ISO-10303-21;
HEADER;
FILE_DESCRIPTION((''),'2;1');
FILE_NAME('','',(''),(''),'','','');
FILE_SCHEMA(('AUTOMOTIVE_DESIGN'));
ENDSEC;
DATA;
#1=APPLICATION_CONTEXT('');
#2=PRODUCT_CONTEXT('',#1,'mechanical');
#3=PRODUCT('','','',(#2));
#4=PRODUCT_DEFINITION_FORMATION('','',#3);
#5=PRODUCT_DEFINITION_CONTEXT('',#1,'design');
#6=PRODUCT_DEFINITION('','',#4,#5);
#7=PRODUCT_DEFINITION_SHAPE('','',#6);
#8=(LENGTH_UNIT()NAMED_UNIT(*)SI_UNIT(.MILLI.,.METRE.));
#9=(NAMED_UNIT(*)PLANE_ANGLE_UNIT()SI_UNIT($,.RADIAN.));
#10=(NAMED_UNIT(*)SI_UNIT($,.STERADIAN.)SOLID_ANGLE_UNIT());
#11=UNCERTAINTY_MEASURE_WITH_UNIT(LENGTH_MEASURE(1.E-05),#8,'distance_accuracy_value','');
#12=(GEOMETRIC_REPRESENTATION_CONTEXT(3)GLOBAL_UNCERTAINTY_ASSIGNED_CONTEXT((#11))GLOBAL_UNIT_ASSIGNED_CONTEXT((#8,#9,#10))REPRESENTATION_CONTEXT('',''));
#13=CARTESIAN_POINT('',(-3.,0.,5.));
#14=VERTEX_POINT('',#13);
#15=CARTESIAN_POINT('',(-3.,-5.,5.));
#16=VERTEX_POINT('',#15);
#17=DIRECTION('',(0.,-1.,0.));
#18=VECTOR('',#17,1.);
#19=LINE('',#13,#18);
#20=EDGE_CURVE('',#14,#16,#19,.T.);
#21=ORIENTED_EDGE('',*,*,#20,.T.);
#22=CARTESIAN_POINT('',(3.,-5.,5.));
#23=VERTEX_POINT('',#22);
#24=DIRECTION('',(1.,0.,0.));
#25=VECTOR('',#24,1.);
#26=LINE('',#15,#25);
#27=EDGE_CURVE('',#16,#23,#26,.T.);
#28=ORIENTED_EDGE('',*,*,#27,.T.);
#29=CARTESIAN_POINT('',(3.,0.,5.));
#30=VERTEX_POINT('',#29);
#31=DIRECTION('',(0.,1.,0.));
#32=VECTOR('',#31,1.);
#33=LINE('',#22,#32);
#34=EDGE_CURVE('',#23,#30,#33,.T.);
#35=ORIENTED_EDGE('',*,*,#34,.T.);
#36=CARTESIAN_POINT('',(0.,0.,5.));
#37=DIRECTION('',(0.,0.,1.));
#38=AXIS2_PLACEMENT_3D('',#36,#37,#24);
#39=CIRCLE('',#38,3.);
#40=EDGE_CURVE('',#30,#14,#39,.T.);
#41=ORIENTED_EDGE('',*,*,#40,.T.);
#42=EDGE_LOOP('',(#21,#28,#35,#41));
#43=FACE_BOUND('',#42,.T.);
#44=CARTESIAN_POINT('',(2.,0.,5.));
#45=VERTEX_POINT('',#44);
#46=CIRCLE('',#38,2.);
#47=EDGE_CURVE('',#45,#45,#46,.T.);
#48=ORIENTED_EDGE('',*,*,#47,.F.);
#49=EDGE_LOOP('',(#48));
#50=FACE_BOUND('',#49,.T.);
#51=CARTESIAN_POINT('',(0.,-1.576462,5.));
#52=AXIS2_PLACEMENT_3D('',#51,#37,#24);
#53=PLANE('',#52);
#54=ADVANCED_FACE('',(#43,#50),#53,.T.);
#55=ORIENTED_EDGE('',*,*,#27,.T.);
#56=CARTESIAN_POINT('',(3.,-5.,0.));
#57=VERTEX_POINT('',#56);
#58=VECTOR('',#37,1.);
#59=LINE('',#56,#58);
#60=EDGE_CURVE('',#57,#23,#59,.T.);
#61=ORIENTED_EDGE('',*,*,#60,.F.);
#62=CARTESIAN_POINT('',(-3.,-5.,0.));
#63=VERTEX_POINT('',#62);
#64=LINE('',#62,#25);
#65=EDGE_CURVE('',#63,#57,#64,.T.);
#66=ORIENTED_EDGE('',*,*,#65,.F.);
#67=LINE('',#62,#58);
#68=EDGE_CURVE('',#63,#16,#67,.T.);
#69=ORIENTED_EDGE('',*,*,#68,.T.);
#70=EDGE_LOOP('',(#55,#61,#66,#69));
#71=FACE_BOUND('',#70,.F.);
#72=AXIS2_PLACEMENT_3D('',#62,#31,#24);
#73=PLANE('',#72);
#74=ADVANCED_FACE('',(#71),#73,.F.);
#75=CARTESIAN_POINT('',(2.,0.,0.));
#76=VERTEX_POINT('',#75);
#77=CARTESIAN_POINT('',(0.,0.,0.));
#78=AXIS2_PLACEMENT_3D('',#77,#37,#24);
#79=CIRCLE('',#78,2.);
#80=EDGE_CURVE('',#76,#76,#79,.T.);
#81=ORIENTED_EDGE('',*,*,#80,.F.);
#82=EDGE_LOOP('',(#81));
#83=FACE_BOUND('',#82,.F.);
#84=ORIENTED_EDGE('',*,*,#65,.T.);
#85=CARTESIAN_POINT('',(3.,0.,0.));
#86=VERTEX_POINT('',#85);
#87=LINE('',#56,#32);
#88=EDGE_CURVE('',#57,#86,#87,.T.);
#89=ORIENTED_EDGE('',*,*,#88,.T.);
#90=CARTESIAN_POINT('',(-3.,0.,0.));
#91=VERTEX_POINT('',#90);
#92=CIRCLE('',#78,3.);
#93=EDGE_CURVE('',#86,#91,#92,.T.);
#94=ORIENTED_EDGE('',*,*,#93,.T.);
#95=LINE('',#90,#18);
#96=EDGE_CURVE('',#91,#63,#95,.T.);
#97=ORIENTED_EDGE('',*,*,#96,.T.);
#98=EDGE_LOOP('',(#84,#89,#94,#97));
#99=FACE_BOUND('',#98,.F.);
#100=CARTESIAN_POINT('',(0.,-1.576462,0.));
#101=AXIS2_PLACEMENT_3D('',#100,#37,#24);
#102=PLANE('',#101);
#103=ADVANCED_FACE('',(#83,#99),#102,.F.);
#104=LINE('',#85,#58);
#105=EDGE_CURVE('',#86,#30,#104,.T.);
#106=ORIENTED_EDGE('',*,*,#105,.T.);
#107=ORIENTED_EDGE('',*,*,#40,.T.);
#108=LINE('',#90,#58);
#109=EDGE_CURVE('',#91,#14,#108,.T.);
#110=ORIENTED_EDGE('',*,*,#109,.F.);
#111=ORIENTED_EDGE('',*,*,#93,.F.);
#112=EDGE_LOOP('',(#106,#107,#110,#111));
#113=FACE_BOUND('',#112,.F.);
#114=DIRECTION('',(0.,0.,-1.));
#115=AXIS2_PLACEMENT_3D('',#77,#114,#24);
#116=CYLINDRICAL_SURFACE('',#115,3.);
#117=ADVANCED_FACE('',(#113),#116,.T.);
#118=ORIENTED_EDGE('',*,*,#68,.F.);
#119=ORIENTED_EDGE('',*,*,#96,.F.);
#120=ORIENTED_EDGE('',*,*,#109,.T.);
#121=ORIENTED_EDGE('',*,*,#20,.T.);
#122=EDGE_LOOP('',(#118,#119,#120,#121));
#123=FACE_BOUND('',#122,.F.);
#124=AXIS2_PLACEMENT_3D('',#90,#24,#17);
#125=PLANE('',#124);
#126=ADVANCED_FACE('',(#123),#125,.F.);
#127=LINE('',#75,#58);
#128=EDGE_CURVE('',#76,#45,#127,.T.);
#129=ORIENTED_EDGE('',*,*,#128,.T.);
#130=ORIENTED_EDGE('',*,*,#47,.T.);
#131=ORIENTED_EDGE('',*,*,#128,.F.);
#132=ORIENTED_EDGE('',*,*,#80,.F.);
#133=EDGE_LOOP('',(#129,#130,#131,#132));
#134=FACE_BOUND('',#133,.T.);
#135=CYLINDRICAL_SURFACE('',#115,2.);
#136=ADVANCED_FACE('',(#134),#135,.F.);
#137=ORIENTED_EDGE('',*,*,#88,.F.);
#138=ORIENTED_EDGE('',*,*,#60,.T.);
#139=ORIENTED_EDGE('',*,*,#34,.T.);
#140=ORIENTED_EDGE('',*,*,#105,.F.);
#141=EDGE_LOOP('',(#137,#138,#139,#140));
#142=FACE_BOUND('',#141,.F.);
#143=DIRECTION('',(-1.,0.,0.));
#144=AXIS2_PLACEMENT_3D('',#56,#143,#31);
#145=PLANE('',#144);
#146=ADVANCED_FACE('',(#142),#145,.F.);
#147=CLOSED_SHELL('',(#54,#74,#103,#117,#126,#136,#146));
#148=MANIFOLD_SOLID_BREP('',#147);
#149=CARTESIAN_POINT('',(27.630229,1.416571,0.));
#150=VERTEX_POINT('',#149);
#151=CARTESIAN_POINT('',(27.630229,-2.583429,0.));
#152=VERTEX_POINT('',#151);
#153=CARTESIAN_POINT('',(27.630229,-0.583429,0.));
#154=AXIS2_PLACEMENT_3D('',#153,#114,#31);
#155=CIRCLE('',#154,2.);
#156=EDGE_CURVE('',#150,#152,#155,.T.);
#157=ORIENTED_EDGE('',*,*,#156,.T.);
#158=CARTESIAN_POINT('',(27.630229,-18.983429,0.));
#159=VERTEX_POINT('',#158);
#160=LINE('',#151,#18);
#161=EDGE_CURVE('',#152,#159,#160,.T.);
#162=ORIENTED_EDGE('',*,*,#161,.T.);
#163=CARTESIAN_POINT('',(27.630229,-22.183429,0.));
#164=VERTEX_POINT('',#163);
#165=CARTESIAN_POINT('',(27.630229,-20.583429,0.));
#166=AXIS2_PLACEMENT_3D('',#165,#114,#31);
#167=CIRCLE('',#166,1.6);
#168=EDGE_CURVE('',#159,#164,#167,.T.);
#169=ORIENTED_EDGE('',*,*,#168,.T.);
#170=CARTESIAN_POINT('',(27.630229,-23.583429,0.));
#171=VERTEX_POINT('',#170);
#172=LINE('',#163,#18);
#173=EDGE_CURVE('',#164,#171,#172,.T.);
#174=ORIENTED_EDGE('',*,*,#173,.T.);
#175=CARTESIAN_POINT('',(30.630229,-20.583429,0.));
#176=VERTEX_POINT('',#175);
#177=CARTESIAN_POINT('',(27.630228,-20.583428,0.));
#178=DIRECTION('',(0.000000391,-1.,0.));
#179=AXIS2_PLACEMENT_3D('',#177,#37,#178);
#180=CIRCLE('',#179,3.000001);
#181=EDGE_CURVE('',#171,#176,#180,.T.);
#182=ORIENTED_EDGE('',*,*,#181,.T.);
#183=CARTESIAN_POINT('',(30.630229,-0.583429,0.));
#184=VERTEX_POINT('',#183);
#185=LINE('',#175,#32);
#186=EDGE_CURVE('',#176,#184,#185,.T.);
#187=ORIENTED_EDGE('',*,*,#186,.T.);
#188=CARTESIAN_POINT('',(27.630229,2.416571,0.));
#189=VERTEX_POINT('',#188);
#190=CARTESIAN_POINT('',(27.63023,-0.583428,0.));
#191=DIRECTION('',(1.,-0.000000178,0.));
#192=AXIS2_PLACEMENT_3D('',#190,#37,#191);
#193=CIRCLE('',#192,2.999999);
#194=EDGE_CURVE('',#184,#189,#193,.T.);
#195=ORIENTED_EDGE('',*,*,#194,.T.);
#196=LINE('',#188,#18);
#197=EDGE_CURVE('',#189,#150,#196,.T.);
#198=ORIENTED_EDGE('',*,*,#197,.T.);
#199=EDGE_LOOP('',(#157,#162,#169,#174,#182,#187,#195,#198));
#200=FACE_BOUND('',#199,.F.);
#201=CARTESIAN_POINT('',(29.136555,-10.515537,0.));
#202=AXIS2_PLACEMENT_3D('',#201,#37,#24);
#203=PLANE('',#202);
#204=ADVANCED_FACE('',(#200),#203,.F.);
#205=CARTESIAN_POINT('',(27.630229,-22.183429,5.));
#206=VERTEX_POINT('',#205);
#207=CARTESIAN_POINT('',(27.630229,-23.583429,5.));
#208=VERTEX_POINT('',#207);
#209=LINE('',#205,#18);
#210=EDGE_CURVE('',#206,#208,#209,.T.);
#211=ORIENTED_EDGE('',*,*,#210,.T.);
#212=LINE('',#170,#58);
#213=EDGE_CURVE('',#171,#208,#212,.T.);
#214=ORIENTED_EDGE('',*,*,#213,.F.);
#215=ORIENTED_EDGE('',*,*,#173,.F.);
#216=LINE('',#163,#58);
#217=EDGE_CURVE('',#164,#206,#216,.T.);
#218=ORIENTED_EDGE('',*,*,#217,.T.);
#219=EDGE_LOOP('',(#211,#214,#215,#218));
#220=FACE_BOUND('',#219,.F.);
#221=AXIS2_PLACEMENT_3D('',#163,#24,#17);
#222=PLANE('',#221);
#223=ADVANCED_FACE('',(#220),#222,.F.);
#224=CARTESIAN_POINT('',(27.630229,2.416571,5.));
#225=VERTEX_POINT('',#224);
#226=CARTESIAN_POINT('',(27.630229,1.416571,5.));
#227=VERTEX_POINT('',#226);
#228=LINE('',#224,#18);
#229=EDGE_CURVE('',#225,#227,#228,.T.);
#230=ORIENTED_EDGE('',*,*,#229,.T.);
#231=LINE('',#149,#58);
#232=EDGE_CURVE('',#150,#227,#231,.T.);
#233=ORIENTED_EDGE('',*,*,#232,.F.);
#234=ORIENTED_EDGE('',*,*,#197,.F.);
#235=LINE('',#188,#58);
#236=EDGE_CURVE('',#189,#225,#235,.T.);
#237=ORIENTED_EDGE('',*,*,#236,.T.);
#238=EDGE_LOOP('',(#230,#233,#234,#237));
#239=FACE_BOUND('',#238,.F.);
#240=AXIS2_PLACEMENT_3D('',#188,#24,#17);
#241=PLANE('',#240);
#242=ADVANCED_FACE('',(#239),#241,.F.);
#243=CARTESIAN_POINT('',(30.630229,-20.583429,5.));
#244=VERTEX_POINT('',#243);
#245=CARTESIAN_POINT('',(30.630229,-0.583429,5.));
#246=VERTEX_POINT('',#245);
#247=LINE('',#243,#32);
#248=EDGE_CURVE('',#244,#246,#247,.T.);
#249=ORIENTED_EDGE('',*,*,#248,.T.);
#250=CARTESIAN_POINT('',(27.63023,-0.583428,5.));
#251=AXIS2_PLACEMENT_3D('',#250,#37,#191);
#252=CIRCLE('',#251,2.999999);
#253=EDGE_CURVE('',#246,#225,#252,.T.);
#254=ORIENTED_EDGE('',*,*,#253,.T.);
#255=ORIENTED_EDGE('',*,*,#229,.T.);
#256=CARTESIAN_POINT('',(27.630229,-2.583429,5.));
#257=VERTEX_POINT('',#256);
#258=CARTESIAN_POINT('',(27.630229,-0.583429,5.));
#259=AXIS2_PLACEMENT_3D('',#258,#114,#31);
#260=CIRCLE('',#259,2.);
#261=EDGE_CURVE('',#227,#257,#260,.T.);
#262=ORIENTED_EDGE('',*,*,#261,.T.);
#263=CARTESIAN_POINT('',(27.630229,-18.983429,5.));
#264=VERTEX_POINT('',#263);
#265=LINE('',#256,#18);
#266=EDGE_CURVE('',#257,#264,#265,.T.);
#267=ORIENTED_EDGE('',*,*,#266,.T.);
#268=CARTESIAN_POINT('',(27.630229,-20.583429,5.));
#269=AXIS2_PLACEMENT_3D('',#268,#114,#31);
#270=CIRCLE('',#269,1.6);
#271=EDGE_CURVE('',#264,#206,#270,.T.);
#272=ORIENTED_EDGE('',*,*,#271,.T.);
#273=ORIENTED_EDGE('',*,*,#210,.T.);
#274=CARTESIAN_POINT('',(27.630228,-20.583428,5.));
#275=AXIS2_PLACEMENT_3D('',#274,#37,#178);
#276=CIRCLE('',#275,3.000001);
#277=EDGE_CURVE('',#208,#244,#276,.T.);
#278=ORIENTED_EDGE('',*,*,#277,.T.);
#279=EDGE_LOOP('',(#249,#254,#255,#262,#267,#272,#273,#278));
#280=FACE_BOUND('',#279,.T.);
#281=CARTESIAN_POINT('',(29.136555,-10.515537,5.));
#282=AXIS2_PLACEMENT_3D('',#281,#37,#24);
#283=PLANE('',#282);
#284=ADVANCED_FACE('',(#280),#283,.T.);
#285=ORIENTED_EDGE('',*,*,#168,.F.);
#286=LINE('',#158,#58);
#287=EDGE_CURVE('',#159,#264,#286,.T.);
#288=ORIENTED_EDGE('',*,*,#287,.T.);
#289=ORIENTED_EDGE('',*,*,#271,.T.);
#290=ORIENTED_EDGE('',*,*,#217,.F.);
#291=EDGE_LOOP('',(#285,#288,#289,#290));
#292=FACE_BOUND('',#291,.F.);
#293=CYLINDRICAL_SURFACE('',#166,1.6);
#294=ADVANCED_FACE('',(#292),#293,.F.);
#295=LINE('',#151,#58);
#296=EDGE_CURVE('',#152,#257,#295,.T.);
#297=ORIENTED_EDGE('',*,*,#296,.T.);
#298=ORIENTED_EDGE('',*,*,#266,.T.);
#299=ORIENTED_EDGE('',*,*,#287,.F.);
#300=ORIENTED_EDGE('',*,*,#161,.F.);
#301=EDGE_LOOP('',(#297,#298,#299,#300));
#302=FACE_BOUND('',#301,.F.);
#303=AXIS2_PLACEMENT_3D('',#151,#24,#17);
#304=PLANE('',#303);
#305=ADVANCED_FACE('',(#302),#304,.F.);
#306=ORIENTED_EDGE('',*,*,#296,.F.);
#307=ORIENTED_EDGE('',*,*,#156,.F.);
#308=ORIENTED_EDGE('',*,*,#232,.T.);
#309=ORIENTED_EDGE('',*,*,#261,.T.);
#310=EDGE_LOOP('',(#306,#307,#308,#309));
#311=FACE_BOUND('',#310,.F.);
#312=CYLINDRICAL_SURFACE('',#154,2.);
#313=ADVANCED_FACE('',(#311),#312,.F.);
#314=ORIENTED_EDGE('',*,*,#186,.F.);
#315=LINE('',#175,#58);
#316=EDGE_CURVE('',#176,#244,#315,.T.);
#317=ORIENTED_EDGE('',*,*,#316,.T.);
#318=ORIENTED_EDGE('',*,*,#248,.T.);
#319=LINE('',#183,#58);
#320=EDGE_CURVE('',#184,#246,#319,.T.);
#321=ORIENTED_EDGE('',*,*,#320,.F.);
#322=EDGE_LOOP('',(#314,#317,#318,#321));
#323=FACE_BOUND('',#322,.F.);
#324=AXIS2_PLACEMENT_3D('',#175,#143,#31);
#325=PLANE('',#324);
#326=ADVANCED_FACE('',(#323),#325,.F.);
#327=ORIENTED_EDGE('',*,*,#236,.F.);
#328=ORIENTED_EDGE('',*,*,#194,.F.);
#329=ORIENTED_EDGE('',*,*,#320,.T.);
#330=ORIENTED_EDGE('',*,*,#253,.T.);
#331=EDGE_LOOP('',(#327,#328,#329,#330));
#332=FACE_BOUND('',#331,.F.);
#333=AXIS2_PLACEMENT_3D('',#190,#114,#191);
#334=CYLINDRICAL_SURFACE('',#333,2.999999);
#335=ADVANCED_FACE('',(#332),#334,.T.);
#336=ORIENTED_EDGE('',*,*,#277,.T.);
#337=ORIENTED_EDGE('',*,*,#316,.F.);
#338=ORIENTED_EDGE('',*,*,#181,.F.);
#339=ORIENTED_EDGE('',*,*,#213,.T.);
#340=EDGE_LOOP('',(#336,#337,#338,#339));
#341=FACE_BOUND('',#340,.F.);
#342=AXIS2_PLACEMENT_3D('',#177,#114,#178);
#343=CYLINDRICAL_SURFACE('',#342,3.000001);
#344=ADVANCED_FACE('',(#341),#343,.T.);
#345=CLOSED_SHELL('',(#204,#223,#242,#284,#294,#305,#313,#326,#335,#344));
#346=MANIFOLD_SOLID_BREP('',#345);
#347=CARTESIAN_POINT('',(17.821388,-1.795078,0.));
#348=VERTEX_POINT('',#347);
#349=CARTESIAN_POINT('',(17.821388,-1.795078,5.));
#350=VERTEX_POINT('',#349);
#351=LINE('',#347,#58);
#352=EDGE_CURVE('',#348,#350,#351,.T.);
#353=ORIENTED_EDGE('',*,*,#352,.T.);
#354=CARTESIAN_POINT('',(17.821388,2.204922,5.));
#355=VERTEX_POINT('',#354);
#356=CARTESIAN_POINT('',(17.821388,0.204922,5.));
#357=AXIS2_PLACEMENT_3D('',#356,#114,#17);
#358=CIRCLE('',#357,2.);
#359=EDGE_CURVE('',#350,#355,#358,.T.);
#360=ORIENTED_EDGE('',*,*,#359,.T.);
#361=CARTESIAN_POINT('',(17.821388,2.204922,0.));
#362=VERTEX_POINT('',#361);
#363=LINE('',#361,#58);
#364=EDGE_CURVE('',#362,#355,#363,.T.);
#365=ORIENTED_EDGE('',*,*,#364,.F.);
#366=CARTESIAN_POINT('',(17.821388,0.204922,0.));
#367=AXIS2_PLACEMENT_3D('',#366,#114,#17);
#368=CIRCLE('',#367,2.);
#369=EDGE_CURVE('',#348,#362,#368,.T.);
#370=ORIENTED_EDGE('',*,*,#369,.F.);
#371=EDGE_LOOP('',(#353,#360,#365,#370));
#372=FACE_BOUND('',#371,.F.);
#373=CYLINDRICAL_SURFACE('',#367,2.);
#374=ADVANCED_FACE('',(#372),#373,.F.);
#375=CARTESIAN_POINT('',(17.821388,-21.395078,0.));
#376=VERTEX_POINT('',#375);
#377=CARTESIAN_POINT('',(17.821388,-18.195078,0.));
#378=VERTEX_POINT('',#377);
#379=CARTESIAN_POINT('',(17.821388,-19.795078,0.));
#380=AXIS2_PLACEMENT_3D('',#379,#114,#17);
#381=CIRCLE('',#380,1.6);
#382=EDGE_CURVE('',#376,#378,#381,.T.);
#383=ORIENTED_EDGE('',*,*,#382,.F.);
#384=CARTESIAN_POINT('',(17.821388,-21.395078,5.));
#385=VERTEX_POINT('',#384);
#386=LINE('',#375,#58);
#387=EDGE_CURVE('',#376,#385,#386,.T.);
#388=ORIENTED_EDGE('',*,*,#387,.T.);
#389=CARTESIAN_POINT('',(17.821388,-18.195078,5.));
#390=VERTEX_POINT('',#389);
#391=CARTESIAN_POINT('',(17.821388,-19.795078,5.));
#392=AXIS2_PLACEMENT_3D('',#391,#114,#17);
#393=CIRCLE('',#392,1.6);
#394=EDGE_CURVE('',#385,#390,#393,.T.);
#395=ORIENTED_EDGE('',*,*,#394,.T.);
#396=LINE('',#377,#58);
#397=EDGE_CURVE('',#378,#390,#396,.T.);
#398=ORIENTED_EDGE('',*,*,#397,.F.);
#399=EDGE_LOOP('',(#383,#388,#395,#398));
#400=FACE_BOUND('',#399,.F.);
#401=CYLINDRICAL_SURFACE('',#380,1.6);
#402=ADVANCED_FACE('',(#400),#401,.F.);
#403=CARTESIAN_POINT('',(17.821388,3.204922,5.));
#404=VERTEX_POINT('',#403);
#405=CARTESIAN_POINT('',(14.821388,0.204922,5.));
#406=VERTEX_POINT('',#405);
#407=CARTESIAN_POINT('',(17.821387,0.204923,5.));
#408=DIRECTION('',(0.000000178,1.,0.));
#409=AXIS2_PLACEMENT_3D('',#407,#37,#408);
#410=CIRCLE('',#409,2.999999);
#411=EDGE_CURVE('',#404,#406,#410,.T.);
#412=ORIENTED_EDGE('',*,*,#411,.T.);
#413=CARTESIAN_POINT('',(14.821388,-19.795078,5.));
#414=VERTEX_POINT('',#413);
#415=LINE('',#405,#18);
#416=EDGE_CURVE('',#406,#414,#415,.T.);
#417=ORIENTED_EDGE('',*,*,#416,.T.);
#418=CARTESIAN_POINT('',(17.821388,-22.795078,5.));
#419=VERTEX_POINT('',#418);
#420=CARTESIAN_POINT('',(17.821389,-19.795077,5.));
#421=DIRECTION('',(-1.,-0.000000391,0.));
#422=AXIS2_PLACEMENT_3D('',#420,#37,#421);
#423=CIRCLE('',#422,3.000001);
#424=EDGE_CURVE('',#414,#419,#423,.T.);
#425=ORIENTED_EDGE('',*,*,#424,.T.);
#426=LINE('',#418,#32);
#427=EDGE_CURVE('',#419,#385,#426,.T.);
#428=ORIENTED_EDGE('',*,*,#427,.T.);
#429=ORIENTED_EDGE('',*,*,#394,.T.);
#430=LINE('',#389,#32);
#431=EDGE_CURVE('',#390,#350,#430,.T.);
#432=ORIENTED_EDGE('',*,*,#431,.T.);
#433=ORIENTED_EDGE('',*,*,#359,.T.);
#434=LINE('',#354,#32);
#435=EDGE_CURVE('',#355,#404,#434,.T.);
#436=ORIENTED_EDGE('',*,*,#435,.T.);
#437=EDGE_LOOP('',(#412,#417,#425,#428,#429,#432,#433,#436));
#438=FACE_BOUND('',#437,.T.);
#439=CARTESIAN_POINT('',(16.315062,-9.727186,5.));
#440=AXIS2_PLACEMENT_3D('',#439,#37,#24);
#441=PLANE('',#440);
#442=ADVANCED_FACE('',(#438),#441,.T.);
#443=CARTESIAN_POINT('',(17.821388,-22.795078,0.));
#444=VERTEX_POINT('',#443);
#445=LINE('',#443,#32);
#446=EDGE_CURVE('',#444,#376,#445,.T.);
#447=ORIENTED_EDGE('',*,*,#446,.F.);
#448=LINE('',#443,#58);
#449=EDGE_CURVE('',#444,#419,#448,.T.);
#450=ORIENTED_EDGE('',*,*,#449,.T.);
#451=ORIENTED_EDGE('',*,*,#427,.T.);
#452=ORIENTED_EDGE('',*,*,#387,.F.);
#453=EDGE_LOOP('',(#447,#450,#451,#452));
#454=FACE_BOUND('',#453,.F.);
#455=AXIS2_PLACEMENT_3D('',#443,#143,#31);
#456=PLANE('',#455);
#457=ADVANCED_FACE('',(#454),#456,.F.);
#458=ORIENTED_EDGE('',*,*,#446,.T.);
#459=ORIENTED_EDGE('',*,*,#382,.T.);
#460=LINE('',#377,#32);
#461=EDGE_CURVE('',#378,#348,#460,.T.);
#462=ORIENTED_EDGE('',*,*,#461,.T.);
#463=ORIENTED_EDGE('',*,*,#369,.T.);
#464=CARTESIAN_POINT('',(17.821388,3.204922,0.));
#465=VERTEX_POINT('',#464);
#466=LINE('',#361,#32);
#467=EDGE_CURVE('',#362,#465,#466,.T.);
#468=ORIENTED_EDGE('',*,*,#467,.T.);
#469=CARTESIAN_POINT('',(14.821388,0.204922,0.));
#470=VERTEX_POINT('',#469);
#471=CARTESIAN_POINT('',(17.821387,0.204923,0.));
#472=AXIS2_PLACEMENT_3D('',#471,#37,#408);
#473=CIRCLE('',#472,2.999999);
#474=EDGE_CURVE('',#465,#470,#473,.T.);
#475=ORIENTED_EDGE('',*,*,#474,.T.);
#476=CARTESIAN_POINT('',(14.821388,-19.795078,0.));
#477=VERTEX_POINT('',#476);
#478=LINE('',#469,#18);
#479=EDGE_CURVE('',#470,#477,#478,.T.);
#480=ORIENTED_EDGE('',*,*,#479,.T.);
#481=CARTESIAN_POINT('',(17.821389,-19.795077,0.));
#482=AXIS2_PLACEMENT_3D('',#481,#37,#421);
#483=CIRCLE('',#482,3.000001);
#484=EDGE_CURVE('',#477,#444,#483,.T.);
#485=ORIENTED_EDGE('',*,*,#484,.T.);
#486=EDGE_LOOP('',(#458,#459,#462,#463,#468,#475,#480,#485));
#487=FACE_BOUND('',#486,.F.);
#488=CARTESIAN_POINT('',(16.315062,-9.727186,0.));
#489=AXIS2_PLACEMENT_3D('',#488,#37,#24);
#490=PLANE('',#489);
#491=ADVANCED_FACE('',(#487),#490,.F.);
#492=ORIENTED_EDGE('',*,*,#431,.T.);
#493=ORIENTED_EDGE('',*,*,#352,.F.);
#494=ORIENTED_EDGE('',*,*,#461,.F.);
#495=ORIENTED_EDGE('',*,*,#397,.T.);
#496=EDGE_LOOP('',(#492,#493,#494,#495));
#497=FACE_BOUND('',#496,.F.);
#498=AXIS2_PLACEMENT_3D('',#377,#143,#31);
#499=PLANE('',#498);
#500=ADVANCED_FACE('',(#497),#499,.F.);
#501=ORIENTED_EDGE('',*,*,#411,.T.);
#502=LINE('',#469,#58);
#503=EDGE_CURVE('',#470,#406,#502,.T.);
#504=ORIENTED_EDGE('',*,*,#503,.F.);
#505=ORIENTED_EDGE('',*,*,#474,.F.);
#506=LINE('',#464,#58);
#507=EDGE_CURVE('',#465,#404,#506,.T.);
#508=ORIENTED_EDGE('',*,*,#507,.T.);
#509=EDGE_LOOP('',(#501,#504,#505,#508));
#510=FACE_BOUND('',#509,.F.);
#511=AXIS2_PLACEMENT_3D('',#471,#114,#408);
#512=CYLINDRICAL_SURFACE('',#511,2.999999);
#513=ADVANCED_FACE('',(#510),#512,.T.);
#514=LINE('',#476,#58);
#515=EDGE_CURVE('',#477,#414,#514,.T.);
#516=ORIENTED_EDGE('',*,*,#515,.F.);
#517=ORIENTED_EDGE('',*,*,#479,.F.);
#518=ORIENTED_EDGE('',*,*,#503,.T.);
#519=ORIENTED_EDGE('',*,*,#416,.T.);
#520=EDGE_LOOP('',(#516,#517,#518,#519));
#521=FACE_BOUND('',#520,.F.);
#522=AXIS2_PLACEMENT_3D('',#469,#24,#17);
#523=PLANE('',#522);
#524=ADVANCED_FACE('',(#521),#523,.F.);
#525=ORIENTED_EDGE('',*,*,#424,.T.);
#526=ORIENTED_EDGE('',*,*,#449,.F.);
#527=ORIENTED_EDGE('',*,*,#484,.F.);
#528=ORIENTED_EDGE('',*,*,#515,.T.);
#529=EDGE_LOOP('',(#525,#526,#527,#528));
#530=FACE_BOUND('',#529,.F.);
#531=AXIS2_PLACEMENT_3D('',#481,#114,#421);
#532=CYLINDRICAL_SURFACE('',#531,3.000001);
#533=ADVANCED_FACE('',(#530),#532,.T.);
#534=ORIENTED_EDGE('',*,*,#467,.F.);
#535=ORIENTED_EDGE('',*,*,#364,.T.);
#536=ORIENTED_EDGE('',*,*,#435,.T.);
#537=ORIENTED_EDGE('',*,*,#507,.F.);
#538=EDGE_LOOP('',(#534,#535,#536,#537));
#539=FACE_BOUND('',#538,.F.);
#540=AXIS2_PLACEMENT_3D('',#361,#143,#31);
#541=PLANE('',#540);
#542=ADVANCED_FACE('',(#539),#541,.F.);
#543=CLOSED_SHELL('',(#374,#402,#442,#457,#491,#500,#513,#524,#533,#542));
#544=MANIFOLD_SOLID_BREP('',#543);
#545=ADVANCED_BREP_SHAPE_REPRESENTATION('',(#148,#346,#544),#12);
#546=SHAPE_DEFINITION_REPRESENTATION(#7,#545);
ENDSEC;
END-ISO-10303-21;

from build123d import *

# Parameters (mm, degrees)
F0_R     = 2
F1_DEPTH = 5
F3_DEPTH = 5
F5_DEPTH = 5


with BuildPart() as f1:
    # F0 (on Top) → F1 (new body)
    with BuildSketch(Plane.XY):
        with BuildLine():
            Line((3, -5), (3, 0))
            ThreePointArc((3, 0), (0, 3), (-3, 0))
            Line((-3, 0), (-3, -5))
            Line((-3, -5), (3, -5))
        make_face()
        Circle(F0_R, mode=Mode.SUBTRACT)
    extrude(amount=F1_DEPTH)


with BuildPart() as f3:
    # F2 (on Top) → F3 (new body)
    with BuildSketch(Plane.XY):
        with BuildLine():
            ThreePointArc((17.821388, -1.795078), (15.821388, 0.204922), (17.821388, 2.204922))
            Line((17.821388, 2.204922), (17.821388, 3.204922))
            ThreePointArc((17.821388, 3.204922), (15.700068, 2.326243), (14.821388, 0.204922))
            Line((14.821388, 0.204922), (14.821388, -19.795078))
            ThreePointArc((14.821388, -19.795078), (15.700068, -21.916398), (17.821388, -22.795078))
            Line((17.821388, -22.795078), (17.821388, -21.395078))
            ThreePointArc((17.821388, -21.395078), (16.221388, -19.795078), (17.821388, -18.195078))
            Line((17.821388, -18.195078), (17.821388, -1.795078))
        make_face()
    extrude(amount=F3_DEPTH)


with BuildPart() as f5:
    # F4 (on Top) → F5 (new body)
    with BuildSketch(Plane.XY):
        with BuildLine():
            ThreePointArc((27.630229, 1.416571), (29.630229, -0.583429), (27.630229, -2.583429))
            Line((27.630229, -2.583429), (27.630229, -18.983429))
            ThreePointArc((27.630229, -18.983429), (29.230229, -20.583429), (27.630229, -22.183429))
            Line((27.630229, -22.183429), (27.630229, -23.583429))
            ThreePointArc((27.630229, -23.583429), (29.751549, -22.704749), (30.630229, -20.583429))
            Line((30.630229, -20.583429), (30.630229, -0.583429))
            ThreePointArc((30.630229, -0.583429), (29.751549, 1.537892), (27.630229, 2.416571))
            Line((27.630229, 2.416571), (27.630229, 1.416571))
        make_face()
    extrude(amount=F5_DEPTH)


solid = Compound([f1.part, f3.part, f5.part])
